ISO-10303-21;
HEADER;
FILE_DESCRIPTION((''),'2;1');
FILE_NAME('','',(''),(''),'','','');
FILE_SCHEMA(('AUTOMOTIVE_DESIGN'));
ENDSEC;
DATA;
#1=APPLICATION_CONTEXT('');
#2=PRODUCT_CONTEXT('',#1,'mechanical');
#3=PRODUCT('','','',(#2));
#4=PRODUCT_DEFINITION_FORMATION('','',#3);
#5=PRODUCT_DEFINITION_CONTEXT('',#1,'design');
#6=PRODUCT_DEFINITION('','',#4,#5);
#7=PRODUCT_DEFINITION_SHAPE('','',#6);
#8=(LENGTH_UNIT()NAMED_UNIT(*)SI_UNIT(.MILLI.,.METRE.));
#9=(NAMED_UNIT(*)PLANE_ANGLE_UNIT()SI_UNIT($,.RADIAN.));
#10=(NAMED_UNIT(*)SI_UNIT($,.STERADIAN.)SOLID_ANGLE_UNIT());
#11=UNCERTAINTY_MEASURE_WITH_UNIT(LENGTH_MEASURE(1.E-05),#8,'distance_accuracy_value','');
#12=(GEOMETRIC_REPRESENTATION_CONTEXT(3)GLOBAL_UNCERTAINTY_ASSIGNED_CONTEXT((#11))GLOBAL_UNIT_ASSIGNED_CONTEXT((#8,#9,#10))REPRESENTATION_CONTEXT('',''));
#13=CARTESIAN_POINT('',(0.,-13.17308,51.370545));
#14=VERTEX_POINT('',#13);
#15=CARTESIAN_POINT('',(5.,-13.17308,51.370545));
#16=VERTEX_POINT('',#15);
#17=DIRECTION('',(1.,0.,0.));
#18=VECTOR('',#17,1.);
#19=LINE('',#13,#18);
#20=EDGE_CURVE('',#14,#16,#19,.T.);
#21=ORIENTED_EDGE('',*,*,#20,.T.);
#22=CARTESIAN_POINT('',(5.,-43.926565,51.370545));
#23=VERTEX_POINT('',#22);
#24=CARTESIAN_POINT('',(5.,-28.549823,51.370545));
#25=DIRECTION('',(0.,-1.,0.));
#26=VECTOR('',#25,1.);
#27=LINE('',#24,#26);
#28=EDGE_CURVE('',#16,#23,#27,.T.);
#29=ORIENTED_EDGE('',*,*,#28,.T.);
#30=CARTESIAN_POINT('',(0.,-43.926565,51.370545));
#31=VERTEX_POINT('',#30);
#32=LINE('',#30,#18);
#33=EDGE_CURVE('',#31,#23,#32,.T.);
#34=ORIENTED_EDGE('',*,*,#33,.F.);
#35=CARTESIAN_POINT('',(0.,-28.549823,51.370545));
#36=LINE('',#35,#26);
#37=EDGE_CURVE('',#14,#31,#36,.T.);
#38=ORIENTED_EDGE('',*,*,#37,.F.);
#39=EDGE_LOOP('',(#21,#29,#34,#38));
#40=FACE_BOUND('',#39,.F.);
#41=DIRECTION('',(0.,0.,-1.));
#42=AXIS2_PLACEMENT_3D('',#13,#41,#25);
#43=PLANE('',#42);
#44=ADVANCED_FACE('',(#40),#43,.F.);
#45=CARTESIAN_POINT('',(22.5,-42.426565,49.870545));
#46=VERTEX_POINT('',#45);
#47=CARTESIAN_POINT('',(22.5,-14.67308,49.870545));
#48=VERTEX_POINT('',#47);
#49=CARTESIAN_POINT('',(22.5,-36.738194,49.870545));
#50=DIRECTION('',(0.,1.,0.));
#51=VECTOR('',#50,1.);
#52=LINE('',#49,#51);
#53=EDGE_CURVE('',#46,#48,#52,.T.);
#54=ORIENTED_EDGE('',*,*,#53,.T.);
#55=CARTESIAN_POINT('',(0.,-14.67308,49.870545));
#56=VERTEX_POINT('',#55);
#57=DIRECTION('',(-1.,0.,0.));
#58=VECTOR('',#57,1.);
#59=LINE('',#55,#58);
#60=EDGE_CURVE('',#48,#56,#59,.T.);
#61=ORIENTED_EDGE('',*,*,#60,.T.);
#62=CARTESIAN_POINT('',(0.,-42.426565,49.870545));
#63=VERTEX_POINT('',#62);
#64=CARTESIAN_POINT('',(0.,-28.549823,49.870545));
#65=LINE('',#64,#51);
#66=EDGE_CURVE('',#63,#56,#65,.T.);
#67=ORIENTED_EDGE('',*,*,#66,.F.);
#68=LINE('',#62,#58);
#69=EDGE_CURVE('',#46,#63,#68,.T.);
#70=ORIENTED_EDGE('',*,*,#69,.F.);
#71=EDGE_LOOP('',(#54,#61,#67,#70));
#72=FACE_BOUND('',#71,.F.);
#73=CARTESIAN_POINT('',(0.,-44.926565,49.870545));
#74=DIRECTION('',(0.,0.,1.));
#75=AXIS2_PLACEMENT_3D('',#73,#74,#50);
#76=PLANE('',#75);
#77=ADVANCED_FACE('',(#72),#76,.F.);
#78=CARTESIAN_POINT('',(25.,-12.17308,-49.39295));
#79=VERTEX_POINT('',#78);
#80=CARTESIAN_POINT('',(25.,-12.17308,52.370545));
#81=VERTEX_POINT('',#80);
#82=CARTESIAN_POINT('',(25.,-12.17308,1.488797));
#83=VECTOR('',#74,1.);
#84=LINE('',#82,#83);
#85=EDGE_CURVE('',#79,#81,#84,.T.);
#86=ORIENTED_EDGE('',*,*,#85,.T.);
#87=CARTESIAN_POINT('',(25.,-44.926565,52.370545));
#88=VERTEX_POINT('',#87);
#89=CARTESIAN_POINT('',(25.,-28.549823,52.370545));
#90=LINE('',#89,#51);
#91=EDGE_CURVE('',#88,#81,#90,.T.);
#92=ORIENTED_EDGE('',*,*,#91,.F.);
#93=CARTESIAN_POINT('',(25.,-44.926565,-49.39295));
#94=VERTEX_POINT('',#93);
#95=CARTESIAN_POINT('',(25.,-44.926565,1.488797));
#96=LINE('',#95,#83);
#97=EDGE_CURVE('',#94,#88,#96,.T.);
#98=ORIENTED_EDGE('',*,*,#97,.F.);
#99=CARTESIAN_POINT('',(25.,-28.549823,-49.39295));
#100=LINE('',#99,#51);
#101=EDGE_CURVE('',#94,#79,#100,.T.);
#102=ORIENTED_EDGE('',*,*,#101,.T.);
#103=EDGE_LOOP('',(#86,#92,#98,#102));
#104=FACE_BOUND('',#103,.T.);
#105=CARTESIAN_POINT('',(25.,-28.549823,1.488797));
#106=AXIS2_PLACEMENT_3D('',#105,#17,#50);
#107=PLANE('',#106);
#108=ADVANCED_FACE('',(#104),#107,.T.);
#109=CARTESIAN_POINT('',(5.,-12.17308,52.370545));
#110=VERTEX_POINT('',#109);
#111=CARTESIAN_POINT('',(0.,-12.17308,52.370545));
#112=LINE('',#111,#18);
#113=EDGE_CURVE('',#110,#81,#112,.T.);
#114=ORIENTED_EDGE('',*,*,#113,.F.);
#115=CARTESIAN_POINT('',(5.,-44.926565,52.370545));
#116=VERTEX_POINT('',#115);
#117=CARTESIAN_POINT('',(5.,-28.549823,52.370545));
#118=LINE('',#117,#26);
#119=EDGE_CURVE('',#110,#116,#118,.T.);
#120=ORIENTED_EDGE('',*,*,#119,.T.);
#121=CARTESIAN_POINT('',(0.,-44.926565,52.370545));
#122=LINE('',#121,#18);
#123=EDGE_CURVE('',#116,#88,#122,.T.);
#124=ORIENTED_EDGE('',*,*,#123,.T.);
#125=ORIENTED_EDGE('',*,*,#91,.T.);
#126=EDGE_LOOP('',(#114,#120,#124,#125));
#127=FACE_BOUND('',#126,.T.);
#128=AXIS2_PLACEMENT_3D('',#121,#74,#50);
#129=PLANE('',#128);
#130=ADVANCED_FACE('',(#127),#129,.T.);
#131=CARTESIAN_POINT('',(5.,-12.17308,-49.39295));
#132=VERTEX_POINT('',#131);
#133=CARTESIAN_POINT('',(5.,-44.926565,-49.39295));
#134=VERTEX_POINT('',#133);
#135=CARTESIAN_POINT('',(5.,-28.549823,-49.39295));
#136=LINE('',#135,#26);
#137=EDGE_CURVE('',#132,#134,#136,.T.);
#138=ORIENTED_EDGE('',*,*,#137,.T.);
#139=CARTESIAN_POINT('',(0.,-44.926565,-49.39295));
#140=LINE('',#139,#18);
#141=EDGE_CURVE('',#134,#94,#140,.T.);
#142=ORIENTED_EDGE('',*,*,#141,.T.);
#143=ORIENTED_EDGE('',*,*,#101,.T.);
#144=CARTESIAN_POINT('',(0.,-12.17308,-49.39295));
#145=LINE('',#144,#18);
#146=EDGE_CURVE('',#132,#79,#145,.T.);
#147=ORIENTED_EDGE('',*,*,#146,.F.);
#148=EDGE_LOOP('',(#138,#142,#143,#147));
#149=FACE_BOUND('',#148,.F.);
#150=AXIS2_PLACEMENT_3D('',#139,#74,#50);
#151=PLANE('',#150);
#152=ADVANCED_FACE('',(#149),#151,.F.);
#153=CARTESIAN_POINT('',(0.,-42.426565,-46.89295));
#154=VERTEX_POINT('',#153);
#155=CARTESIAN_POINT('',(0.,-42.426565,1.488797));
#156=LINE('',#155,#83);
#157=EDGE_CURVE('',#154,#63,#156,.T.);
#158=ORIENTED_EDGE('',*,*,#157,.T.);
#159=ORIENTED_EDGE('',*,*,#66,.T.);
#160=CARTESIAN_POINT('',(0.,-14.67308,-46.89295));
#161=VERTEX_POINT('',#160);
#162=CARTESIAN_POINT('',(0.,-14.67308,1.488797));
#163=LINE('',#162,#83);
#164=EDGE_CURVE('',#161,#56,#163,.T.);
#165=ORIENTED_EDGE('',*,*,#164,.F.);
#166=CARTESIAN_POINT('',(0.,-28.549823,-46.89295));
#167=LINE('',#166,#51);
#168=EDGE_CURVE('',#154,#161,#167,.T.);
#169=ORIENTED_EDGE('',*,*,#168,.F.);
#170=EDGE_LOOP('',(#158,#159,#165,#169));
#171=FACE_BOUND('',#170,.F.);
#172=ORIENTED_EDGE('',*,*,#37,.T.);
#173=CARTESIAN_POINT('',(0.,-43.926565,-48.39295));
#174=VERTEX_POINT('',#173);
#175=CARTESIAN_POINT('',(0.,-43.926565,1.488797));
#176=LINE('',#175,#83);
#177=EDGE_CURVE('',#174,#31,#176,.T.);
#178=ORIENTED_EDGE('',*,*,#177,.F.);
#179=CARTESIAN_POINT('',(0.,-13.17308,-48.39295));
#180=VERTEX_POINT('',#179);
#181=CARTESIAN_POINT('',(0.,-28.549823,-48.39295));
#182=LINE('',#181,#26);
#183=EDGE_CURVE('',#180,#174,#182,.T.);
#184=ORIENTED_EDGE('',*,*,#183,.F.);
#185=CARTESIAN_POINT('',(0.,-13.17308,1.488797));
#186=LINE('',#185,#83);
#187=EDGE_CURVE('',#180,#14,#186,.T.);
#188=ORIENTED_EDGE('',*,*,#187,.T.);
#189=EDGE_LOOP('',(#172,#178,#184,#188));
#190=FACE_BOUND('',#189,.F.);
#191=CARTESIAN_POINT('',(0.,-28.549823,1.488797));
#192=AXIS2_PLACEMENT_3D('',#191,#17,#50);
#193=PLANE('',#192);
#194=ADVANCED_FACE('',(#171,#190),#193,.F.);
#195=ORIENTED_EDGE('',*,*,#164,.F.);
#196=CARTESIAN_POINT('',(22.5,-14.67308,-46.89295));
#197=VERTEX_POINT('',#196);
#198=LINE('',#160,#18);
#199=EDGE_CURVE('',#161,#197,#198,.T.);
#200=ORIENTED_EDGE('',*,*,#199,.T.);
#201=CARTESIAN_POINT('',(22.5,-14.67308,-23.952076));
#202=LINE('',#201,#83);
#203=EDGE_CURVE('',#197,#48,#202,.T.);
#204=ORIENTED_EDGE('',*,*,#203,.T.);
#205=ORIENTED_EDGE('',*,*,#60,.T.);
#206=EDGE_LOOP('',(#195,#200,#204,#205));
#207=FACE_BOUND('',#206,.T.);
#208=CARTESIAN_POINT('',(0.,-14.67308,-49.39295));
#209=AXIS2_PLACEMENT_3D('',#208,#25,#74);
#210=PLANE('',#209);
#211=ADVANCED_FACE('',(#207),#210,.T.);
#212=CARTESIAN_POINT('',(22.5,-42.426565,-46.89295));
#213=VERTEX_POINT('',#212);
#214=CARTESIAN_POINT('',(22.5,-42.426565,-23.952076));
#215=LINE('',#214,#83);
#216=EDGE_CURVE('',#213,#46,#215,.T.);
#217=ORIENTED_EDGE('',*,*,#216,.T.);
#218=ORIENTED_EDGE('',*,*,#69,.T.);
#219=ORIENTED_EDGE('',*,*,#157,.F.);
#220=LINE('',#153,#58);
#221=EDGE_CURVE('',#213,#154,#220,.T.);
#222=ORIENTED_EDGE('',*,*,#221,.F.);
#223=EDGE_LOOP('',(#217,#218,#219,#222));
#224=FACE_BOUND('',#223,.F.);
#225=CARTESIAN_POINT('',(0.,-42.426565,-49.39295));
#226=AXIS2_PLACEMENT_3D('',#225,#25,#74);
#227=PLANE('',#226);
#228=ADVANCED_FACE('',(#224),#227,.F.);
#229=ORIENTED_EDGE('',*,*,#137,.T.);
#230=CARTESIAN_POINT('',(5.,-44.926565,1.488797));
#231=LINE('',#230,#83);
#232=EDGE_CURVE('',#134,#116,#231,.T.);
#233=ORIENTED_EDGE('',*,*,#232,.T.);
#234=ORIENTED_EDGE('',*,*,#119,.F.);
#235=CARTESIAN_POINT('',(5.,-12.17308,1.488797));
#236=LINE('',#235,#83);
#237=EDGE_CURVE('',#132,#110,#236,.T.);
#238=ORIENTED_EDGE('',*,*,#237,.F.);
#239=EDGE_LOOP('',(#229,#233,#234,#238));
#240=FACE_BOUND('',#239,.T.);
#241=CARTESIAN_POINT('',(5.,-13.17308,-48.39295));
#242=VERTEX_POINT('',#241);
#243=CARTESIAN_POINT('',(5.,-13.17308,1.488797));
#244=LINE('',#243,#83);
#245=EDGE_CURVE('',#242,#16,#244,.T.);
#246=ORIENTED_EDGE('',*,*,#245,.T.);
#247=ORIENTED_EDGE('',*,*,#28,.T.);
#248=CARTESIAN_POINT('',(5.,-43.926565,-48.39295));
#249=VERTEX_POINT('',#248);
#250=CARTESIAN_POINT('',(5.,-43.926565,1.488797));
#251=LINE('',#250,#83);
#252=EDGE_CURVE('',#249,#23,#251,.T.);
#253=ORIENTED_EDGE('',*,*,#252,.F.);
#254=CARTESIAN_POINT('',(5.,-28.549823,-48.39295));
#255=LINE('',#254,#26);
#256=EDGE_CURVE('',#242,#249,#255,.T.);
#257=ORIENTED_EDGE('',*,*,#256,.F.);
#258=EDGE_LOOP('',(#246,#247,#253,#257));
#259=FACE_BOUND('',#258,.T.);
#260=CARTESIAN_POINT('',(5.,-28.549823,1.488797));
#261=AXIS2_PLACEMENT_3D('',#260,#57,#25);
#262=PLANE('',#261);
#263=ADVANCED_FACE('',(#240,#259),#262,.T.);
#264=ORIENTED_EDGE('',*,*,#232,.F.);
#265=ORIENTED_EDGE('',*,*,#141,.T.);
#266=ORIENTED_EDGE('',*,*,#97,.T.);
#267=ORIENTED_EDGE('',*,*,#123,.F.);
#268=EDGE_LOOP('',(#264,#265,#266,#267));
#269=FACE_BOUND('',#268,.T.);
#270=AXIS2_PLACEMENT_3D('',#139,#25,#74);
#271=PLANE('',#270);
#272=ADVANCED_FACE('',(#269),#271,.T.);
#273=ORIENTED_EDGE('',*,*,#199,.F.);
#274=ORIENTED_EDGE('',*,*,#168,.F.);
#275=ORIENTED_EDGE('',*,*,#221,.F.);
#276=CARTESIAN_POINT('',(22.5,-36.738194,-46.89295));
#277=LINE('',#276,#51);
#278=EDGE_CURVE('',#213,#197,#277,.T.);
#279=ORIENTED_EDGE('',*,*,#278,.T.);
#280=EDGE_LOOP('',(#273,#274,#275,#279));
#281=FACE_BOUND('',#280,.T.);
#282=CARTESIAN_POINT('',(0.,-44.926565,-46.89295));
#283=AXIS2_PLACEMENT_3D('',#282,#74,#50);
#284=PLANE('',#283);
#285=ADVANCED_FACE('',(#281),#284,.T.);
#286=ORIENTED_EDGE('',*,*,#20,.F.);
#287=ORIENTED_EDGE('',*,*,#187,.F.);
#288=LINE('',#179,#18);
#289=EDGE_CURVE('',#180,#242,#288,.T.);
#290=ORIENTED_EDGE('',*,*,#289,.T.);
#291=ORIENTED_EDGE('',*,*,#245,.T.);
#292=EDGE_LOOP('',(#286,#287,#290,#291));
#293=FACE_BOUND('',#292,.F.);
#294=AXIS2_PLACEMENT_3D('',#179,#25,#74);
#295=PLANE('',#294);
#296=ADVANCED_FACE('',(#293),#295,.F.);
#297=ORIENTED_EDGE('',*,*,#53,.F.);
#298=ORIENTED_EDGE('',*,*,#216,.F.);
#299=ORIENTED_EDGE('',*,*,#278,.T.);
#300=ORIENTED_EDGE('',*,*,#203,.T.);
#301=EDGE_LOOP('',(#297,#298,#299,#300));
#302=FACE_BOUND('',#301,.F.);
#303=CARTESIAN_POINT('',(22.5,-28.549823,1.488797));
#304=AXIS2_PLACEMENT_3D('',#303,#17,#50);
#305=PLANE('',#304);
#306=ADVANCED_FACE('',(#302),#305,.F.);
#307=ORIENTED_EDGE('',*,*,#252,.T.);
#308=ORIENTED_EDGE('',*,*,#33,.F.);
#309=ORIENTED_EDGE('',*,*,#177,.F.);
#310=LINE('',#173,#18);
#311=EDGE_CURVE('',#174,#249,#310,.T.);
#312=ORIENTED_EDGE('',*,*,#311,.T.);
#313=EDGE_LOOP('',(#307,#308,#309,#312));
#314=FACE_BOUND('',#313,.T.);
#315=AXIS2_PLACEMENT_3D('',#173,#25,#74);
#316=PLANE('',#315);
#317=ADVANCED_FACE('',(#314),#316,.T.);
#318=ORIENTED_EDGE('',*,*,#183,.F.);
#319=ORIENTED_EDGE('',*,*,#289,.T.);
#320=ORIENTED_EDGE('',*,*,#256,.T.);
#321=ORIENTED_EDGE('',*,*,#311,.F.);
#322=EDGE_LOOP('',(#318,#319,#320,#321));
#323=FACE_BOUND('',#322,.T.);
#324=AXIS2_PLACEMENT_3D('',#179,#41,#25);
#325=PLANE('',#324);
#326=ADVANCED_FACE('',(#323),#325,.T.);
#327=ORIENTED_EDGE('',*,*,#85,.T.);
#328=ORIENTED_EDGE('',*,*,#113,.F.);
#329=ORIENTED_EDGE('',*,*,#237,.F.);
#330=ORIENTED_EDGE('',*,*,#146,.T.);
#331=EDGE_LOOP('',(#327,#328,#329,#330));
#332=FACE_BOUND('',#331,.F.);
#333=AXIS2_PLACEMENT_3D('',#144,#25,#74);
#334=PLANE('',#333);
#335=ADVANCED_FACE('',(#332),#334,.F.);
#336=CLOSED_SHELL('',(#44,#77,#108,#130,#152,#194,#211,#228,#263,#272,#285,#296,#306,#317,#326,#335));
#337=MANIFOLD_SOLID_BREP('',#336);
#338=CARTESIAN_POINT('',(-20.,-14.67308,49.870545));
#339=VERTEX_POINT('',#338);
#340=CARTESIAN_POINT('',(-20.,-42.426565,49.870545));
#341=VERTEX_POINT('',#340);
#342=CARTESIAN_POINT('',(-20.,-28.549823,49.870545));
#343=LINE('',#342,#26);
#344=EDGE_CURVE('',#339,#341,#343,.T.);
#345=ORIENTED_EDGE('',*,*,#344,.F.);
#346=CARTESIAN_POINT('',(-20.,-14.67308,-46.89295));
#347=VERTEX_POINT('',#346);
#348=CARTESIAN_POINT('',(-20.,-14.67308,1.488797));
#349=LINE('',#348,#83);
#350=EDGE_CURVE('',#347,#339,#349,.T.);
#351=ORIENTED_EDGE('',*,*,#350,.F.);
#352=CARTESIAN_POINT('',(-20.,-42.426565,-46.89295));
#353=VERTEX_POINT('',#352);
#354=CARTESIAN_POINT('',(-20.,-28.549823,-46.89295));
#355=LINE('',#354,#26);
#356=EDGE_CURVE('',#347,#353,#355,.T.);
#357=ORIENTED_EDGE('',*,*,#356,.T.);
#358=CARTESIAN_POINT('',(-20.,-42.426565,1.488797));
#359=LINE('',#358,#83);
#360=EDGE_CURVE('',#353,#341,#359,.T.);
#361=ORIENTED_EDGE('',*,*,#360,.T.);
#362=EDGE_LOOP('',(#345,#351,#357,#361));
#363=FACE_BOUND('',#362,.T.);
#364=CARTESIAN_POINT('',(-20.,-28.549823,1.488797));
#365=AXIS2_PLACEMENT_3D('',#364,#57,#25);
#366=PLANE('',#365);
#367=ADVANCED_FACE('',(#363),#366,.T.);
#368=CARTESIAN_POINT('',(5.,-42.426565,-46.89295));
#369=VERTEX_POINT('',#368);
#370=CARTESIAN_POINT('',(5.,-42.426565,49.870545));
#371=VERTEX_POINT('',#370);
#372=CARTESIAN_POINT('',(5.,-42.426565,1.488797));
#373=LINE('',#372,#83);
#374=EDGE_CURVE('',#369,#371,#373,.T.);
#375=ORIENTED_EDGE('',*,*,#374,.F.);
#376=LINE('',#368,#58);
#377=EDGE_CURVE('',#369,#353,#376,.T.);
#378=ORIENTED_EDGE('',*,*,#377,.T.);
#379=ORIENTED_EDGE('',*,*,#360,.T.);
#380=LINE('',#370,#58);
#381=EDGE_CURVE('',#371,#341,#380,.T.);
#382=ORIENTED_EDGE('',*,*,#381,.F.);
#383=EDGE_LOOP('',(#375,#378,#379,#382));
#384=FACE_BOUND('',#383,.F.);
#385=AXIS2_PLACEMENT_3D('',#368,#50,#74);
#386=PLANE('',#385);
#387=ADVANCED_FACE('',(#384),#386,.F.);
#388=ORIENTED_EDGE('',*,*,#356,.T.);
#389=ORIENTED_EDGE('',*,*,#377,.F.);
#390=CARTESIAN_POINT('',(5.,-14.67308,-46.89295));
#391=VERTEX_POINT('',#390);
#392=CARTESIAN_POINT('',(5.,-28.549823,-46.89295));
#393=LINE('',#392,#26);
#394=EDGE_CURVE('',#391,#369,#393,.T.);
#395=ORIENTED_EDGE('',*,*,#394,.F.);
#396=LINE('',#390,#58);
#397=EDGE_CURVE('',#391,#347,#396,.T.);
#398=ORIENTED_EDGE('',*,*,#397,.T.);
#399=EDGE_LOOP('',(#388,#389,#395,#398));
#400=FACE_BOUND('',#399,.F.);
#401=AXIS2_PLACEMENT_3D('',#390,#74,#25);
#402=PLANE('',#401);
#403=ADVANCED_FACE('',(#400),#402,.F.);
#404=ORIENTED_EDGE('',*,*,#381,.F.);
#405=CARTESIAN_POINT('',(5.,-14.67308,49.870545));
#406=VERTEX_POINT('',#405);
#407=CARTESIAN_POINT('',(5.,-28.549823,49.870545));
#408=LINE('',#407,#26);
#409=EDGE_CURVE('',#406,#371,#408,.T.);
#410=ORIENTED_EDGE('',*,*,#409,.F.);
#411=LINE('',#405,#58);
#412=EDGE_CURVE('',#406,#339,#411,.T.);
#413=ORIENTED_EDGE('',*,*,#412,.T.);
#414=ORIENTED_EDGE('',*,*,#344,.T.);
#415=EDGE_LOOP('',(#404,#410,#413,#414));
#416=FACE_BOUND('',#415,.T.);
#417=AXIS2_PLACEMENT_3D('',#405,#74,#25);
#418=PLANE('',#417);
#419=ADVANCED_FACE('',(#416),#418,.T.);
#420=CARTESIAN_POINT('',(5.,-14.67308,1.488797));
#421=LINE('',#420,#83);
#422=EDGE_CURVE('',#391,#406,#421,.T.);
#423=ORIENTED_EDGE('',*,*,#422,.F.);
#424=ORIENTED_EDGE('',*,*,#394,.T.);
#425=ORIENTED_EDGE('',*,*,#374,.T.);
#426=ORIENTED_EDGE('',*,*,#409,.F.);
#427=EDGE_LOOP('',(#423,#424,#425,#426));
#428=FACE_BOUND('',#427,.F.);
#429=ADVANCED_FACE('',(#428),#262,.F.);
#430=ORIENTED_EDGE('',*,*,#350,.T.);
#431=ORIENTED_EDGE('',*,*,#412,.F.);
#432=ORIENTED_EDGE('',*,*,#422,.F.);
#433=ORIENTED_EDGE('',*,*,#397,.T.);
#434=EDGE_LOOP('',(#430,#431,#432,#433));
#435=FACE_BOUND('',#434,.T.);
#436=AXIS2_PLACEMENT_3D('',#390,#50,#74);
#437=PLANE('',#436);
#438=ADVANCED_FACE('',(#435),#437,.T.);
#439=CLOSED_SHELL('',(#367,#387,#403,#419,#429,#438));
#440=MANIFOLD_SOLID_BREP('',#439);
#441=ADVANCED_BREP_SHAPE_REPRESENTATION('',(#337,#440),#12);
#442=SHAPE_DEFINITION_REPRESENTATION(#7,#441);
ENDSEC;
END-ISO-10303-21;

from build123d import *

# Parameters (mm, degrees)
F0_W     = 50
F0_H     = 5
F2_SIZE2 = 1
F2_SIZE  = 1
F3_W     = 32.7534852549
F3_H     = 101.7634943128
F4_DEPTH = 25
F5_T     = -2.5
F6_W     = 32.7534852549
F6_H     = 101.7634943128
F6_W_2   = 30.7534852549
F6_H_2   = 99.7634943128
F7_DEPTH = 5
F8_W     = 27.7534852549
F8_H     = 96.7634943128
F9_DEPTH = 25


with BuildPart() as f1:
    # F0 (on Front) → F1 (revolve)
    with BuildSketch(Plane.XZ):
        with Locations((25, 2.5)):
            Rectangle(F0_W, F0_H)
    revolve(axis=Axis((25, 0, 0), (-1, 0, 0)))

    # F2
    f2_edges = [f1.edges().sort_by_distance(p)[0] for p in [
        (50, 0, -5),
        (0, 0, -5),
    ]]
    chamfer(f2_edges, length=F2_SIZE, length2=F2_SIZE2)


with BuildPart() as f4:
    # F3 (on Right) → F4 (new body)
    with BuildSketch(Plane.YZ):
        with Locations((-28.549822513, 1.4887973666)):
            Rectangle(F3_W, F3_H)
    extrude(amount=F4_DEPTH)

    # F5
    f5_openings = [f4.faces().sort_by_distance(p)[0] for p in [
        (0, -28.549823, 1.488797),
    ]]
    offset(amount=F5_T, openings=f5_openings)

    # F6 (on face) → F7 (cut)
    with BuildSketch(Plane(origin=(0, 0, 0), x_dir=(0, -1, 0), z_dir=(-1, 0, 0))):
        with Locations((28.549822513, 1.4887973666)):
            Rectangle(F6_W, F6_H)
        with Locations((28.549822513, 1.4887973666)):
            Rectangle(F6_W_2, F6_H_2, mode=Mode.SUBTRACT)
    extrude(amount=-F7_DEPTH, mode=Mode.SUBTRACT)


with BuildPart() as f9:
    # F8 (on face) → F9 (new body)
    with BuildSketch(Plane(origin=(5, 0, 0), x_dir=(0, -1, 0), z_dir=(-1, 0, 0))):
        with Locations((28.549822513, 1.4887973666)):
            Rectangle(F8_W, F8_H)
    extrude(amount=F9_DEPTH)


solid = Compound([f4.part, f9.part])
